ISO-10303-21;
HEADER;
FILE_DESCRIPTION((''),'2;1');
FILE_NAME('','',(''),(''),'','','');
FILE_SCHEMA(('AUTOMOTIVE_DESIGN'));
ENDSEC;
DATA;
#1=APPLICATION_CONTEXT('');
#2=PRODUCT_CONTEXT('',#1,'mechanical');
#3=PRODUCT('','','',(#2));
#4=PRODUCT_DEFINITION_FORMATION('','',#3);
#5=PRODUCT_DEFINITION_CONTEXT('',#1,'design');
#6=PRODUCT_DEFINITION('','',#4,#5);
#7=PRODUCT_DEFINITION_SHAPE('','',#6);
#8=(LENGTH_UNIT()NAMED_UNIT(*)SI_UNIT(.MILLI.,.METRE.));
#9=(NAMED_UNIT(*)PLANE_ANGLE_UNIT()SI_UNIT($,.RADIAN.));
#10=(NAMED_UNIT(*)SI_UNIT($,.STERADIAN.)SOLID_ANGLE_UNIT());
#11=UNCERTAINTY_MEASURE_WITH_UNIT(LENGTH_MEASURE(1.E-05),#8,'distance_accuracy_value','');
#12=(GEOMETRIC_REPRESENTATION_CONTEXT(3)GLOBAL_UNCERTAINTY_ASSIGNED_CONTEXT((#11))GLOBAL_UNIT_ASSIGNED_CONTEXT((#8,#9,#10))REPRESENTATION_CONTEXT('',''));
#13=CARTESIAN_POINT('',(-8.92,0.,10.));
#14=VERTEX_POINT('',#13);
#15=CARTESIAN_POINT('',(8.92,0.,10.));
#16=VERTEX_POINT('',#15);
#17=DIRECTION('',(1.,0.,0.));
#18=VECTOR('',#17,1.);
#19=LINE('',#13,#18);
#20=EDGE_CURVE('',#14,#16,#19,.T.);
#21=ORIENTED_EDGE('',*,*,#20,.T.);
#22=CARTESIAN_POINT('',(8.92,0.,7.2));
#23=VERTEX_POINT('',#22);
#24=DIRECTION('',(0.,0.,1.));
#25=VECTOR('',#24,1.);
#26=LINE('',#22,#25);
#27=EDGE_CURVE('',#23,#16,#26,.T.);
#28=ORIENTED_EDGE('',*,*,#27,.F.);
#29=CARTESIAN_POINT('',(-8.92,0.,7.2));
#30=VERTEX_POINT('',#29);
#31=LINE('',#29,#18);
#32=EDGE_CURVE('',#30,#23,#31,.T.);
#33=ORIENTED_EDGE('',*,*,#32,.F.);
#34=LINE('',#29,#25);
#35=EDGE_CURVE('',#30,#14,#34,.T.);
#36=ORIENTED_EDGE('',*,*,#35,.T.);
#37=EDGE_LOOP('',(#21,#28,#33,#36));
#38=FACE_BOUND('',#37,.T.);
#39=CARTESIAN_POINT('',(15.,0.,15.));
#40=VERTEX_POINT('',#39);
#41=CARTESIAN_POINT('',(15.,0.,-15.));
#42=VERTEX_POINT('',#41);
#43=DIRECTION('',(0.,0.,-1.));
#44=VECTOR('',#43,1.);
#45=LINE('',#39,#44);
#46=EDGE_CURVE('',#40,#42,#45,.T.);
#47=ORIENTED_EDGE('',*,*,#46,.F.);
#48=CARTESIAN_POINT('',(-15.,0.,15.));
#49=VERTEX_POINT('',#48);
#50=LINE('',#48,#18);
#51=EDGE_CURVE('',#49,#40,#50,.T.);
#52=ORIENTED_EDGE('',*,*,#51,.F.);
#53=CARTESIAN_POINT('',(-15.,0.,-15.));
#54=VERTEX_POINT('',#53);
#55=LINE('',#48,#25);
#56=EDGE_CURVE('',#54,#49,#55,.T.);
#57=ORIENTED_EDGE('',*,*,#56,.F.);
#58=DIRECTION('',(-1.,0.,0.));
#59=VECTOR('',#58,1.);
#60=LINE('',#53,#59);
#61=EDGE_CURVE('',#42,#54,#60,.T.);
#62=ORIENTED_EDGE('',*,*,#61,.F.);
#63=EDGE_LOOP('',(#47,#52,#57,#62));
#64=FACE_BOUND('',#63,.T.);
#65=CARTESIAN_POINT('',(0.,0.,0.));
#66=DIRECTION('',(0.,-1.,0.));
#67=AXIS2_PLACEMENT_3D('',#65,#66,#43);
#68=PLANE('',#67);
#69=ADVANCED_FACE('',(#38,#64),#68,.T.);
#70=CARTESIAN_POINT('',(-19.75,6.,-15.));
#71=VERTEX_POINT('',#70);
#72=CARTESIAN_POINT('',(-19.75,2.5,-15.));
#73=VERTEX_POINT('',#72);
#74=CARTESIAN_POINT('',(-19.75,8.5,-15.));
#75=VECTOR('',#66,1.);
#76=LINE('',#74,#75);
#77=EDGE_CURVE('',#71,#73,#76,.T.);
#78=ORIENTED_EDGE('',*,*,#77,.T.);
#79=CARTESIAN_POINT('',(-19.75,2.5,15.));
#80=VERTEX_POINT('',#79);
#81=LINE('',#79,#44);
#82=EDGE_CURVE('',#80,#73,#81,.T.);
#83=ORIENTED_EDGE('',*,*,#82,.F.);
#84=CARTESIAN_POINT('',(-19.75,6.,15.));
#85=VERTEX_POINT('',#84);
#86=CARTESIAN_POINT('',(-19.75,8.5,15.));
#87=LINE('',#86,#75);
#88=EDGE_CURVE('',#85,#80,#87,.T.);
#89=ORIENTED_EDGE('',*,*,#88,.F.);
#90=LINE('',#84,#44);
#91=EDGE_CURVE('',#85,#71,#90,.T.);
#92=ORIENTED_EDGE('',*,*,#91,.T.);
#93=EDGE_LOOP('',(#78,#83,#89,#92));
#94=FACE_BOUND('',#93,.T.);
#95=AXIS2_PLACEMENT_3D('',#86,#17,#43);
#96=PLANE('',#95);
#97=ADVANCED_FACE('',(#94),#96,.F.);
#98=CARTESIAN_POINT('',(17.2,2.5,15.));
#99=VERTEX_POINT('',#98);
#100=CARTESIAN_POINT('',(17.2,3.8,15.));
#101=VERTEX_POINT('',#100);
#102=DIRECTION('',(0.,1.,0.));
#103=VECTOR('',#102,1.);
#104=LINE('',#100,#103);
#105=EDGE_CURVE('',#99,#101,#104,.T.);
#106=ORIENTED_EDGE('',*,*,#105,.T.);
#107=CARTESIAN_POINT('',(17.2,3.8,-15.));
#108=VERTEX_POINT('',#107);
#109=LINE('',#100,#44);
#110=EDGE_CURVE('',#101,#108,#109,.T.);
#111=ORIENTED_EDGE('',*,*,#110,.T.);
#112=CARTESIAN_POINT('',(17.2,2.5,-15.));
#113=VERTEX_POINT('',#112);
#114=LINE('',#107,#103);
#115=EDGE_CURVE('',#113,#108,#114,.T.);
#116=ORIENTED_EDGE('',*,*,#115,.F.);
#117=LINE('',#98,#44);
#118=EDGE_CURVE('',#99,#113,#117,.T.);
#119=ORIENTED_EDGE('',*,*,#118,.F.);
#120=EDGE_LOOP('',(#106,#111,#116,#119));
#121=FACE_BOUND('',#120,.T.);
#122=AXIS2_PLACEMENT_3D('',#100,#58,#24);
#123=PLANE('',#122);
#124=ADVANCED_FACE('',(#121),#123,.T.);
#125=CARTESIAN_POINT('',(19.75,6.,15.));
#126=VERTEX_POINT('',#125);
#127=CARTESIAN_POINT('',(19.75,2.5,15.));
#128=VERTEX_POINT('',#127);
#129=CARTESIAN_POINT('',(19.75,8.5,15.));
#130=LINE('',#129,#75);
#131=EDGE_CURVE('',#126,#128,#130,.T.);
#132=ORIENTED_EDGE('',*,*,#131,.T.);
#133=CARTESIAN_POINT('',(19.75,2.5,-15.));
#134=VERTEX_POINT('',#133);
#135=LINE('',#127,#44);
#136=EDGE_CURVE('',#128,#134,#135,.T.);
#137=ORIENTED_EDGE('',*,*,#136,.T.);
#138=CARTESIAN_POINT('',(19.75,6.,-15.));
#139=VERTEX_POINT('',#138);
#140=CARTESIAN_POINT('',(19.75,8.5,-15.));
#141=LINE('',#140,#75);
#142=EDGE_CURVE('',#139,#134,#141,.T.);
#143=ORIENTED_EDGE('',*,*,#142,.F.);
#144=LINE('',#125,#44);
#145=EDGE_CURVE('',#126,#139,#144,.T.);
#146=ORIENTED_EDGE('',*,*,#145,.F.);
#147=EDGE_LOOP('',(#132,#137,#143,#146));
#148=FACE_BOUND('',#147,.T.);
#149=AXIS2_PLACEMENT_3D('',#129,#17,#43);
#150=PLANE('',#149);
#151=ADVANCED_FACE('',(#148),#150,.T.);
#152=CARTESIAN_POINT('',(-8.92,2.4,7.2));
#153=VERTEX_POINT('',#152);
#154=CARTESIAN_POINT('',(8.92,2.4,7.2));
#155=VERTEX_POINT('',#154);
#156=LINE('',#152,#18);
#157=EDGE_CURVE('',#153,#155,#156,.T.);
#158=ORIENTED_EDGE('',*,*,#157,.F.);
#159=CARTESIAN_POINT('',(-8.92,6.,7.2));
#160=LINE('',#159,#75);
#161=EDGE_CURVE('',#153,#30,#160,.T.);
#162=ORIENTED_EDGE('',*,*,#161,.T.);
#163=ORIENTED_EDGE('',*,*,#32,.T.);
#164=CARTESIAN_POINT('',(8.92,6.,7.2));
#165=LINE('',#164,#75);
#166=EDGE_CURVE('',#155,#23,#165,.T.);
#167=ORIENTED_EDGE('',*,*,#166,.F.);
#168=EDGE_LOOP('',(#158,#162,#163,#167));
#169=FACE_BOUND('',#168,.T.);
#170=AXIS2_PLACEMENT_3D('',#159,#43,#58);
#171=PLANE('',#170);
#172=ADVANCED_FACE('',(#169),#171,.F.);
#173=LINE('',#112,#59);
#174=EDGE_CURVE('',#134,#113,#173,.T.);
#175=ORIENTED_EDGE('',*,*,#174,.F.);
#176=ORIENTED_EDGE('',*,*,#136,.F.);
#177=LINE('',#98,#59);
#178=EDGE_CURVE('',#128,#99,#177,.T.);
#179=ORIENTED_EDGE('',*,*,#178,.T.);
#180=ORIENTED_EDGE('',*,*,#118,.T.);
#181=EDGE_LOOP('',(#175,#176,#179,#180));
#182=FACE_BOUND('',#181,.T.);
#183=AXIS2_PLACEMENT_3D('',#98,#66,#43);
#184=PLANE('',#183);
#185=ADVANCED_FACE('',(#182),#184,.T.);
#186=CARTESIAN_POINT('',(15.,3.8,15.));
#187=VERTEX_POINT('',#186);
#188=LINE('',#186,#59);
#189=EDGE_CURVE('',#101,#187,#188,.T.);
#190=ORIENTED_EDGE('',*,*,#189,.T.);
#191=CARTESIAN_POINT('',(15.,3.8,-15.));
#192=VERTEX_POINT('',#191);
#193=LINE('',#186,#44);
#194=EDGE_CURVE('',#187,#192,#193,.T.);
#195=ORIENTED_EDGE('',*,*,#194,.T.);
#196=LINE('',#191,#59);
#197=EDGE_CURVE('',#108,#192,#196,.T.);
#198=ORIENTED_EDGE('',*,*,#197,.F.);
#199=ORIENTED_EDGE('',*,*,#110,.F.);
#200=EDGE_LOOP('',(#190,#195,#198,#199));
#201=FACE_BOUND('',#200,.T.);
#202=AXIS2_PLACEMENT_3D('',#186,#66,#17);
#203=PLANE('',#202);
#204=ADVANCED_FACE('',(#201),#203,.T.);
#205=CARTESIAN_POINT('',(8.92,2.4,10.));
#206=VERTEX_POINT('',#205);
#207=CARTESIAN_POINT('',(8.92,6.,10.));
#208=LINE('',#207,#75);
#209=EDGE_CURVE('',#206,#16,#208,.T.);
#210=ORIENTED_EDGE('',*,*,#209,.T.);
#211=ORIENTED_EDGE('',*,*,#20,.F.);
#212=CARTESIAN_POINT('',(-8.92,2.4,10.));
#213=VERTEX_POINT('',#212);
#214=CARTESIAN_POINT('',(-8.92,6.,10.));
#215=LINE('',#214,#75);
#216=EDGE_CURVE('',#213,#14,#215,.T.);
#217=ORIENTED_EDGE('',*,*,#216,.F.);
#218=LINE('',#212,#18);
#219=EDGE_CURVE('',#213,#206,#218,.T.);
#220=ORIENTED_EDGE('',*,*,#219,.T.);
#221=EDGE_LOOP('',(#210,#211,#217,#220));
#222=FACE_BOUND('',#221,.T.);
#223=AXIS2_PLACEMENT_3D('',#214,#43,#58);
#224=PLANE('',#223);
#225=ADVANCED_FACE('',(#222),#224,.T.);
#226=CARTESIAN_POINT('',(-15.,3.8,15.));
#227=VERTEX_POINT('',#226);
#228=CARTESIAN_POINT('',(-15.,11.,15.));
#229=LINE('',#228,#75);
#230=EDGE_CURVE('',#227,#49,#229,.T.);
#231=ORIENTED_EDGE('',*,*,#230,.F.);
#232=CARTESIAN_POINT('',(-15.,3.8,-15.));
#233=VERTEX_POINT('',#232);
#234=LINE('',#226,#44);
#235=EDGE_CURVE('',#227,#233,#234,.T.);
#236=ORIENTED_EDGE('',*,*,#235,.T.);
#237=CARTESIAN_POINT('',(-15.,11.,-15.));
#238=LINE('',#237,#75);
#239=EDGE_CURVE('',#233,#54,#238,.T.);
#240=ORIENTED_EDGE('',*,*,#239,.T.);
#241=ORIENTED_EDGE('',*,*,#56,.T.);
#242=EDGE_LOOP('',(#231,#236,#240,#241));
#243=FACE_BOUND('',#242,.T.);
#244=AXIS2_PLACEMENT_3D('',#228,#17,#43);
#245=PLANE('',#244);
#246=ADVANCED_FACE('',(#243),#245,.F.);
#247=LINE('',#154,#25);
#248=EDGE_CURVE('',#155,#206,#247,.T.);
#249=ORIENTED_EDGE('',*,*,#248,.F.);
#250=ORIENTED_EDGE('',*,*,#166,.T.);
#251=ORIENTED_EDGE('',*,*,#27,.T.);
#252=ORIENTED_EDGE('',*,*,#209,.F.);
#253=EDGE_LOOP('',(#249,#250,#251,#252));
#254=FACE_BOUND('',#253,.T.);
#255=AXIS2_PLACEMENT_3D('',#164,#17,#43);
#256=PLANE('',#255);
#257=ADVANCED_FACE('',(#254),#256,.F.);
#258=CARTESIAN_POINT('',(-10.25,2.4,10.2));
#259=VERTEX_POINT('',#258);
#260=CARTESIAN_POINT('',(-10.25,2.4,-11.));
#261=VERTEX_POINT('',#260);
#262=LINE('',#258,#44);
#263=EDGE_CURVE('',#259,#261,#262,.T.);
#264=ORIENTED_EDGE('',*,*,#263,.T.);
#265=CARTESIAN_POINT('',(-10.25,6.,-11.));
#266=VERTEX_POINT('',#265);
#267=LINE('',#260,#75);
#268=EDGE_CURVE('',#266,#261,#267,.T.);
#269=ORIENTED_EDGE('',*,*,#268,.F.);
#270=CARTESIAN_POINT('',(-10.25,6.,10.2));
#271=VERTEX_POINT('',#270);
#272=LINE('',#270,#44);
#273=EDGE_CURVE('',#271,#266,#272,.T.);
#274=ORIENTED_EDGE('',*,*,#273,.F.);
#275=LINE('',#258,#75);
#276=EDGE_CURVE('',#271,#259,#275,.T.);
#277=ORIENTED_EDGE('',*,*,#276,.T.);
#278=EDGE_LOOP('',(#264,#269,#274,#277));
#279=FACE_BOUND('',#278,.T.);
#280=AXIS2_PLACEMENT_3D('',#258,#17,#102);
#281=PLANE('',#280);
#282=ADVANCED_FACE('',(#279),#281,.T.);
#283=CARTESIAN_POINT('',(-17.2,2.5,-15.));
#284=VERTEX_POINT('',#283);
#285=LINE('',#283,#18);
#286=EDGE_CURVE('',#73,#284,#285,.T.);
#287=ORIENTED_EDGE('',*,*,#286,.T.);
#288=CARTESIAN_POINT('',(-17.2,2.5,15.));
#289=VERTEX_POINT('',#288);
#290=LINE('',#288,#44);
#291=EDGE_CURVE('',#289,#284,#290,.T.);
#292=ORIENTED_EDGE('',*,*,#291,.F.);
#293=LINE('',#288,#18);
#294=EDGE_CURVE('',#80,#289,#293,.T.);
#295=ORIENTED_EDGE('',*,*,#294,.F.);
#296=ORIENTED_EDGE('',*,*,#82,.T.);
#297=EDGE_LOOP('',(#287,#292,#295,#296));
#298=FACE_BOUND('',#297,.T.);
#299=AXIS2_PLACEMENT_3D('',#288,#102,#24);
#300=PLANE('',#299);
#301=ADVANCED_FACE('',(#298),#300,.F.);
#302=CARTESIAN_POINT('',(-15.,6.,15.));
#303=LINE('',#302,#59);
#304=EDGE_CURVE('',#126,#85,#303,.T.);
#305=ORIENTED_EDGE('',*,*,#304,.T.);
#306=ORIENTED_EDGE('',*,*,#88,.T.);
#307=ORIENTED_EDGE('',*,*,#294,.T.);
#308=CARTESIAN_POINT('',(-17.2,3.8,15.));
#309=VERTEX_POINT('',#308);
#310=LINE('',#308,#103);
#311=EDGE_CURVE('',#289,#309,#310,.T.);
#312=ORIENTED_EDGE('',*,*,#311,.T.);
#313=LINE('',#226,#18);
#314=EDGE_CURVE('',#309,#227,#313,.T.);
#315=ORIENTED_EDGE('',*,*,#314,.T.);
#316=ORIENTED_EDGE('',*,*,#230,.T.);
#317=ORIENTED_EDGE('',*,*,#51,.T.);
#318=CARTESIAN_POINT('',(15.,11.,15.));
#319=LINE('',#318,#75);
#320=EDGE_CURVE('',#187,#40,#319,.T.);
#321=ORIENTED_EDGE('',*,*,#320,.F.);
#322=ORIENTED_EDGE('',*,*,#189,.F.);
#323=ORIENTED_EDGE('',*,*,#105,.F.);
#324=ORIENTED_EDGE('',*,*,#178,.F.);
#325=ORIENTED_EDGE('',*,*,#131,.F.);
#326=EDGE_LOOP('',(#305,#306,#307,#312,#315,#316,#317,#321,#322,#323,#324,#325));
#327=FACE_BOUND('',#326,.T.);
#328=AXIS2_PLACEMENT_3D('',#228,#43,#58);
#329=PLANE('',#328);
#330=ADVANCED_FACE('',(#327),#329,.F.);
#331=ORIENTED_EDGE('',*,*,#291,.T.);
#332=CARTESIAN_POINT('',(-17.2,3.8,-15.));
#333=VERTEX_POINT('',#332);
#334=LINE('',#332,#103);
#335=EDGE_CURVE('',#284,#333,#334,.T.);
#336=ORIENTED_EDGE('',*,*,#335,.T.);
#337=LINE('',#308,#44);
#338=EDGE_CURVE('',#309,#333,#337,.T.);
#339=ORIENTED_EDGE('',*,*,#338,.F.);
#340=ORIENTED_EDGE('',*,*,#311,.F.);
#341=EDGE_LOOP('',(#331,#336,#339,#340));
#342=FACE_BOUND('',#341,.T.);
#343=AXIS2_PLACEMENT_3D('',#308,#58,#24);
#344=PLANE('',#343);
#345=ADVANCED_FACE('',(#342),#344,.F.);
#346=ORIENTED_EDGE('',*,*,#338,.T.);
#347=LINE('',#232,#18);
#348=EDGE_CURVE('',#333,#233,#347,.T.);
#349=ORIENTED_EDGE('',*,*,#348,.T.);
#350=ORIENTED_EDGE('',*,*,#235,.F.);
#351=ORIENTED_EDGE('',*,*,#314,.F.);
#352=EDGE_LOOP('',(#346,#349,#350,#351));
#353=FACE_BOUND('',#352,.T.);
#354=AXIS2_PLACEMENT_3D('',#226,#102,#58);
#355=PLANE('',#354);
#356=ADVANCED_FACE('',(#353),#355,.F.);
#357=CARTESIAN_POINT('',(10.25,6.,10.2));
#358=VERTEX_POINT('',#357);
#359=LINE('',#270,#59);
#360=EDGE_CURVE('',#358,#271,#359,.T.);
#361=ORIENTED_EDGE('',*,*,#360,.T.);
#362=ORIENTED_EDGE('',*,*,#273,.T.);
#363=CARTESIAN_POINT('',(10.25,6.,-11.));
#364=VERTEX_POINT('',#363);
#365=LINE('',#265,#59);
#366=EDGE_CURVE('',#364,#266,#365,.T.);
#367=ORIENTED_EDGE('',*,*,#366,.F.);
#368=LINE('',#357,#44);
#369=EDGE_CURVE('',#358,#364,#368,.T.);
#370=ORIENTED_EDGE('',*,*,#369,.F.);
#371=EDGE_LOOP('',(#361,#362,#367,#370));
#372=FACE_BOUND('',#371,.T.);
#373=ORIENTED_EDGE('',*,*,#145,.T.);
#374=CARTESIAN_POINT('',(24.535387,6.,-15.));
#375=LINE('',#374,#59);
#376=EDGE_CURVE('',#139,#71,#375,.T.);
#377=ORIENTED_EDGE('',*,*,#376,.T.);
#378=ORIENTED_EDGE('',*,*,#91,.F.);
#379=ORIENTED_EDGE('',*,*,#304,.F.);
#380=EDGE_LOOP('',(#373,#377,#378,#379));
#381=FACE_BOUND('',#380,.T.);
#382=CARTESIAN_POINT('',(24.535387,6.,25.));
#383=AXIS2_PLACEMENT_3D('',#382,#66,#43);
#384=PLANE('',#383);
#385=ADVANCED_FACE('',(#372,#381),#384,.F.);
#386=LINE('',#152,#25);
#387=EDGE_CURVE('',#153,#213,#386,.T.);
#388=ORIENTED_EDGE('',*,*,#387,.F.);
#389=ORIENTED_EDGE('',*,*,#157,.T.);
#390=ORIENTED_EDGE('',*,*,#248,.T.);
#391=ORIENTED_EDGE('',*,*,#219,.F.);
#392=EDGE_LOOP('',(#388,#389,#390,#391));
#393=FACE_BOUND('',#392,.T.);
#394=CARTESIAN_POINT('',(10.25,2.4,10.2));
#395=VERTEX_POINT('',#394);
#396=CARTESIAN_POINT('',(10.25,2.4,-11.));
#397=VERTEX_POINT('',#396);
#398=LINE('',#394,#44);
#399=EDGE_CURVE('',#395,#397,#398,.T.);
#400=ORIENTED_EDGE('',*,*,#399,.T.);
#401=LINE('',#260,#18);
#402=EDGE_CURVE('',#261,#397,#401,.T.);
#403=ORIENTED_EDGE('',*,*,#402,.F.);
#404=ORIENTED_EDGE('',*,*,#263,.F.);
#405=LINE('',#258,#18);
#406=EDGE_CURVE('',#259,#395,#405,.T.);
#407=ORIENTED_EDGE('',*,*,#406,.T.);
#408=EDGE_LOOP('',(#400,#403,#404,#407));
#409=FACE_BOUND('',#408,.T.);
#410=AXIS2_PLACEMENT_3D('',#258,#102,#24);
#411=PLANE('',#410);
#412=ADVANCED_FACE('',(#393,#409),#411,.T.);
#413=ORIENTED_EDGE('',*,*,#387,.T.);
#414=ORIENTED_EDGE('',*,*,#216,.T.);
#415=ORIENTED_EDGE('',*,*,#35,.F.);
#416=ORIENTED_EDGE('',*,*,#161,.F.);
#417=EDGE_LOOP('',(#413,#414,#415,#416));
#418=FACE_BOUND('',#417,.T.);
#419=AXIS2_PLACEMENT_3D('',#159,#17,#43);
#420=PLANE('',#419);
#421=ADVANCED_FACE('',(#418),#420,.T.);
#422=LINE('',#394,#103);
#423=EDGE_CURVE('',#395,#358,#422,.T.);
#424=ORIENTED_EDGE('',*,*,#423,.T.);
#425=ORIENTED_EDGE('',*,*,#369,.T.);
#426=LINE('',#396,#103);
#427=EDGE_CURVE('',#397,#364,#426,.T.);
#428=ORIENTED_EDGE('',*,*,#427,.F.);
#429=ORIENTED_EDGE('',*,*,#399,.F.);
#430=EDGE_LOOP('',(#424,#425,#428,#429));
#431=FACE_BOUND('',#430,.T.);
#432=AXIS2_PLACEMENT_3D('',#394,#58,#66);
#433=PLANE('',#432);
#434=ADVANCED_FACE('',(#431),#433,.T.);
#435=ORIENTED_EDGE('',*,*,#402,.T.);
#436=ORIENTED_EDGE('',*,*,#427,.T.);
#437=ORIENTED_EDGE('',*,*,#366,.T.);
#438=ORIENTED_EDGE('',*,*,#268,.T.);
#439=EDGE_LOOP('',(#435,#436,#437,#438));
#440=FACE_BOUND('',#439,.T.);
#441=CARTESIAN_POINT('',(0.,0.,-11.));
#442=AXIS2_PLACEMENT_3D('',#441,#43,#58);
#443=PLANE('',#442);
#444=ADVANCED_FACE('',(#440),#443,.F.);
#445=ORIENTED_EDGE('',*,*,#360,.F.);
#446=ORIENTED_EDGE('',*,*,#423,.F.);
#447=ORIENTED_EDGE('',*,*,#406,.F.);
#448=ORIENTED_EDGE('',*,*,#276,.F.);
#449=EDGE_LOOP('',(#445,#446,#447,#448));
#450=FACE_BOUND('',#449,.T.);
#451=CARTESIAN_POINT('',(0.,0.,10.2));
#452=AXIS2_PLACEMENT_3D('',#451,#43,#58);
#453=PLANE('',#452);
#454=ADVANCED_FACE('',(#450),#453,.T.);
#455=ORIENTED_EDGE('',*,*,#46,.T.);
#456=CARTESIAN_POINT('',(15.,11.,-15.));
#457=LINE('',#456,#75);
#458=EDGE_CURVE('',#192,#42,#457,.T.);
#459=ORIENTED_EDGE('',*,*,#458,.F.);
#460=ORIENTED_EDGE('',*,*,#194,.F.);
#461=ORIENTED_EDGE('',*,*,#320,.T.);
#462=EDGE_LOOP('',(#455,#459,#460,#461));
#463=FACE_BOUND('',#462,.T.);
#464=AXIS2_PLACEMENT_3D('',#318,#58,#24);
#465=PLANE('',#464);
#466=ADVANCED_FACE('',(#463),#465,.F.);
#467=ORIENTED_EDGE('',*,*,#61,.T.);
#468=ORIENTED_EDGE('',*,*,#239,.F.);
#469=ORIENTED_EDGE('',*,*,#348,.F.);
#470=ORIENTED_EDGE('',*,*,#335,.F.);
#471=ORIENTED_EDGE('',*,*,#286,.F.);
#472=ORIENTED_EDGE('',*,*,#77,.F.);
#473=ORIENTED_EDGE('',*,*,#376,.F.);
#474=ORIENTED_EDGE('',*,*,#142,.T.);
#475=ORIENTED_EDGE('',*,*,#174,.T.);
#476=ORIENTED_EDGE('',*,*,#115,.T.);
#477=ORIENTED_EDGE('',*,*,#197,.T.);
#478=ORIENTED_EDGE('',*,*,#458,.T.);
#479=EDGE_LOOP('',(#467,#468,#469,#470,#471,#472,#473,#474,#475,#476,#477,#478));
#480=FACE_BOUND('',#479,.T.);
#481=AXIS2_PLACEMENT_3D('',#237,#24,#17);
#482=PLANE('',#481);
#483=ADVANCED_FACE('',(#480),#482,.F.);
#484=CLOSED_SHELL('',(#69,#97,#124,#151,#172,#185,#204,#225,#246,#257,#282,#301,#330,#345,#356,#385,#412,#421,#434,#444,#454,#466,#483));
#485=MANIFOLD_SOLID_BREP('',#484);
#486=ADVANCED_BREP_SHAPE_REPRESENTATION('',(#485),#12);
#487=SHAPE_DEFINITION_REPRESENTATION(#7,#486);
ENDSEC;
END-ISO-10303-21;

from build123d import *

# Parameters (mm, degrees)
SKETCH1_W               = 30
SKETCH1_H               = 30
MAIN_BODY_DEPTH         = 11
SKETCH2_W               = 17.84
SKETCH2_H               = 2.8
WIRE_HOLE_DEPTH         = 6
BOARD_CAVITY_DEPTH      = 3
BOARD_CAVITY_DEPTH_BACK = 17.2
SKETCH3_W               = 20.5
SKETCH3_H               = 3.6
SKETCH4_W               = 10
SKETCH4_H               = 10
LIGHT_BOX_DEPTH         = 2
SKETCH5_R               = 1.5
CUT_EXTRUDE4_DEPTH      = 20
SKETCH7_W               = 20.5
SKETCH7_H               = 3.6
CUT_EXTRUDE5_DEPTH      = 1
BOSS_EXTRUDE1_DEPTH     = 30
BOSS_EXTRUDE2_START     = 0.6
SKETCH11_W              = 10
SKETCH11_H              = 10
SKETCH11_R              = 1.5
BOSS_EXTRUDE2_DEPTH     = 0.6
SKETCH12_W              = 44.814636294
SKETCH12_H              = 7.577756332
CUT_EXTRUDE6_DEPTH      = 40


with BuildPart() as part:
    # Sketch1 → Main Body (new body)
    with BuildSketch(Plane(origin=(0, 0, 0), x_dir=(1, 0, 0), z_dir=(0, 1, 0))):
        Rectangle(SKETCH1_W, SKETCH1_H)
    extrude(amount=MAIN_BODY_DEPTH)

    # Sketch2 → Wire Hole (cut)
    with BuildSketch(Plane.XZ):
        with Locations((0, 8.6)):
            Rectangle(SKETCH2_W, SKETCH2_H)
    extrude(amount=-WIRE_HOLE_DEPTH, mode=Mode.SUBTRACT)

    # Sketch3 → Board Cavity (cut, two sides: drawn at the far end of the back side and taken through both)
    with BuildSketch(Plane.XY.offset(7.2).offset(-BOARD_CAVITY_DEPTH_BACK)):
        with Locations((0, 4.2)):
            Rectangle(SKETCH3_W, SKETCH3_H)
    extrude(amount=BOARD_CAVITY_DEPTH + BOARD_CAVITY_DEPTH_BACK, mode=Mode.SUBTRACT)

    # Sketch4 → Light Box (cut)
    with BuildSketch(Plane.XZ.offset(-6)):
        with Locations((0, 0.05)):
            Rectangle(SKETCH4_W, SKETCH4_H)
    extrude(amount=-LIGHT_BOX_DEPTH, mode=Mode.SUBTRACT)

    # Sketch5 → Cut-Extrude4 (cut)
    with BuildSketch(Plane.XZ.offset(-8)):
        with Locations(Location((0, 0, 0), (0, 0, 270))):
            Circle(SKETCH5_R)
    extrude(amount=-CUT_EXTRUDE4_DEPTH, mode=Mode.SUBTRACT)

    # Sketch7 → Cut-Extrude5 (cut)
    with BuildSketch(Plane.XY.offset(-10)):
        with Locations((0, 4.2)):
            Rectangle(SKETCH7_W, SKETCH7_H)
    extrude(amount=-CUT_EXTRUDE5_DEPTH, mode=Mode.SUBTRACT)

    # Sketch8 → Boss-Extrude1 (add)
    with BuildSketch(Plane(origin=(0, 0, -15), x_dir=(-1, 0, 0), z_dir=(0, 0, -1))):
        Polygon((-15, 5.5), (-15, 3.8), (-17.2, 3.8), (-17.2, 2.5), (-19.75, 2.5), (-19.75, 8.5), (-17.2, 8.5), (-17.2, 7.2), (-15, 7.2), align=None)
    boss_extrude1 = extrude(amount=-BOSS_EXTRUDE1_DEPTH)

    # Mirror1: Boss-Extrude1 across plane
    add(boss_extrude1.mirror(Plane(origin=(0, 0, 0), x_dir=(0, 0, 1), z_dir=(1, 0, 0))))

    # Sketch9 → Cut-Revolve6 (revolve, cut)
    with BuildSketch(Plane.XY, mode=Mode.PRIVATE) as cut_revolve6_sk:
        with BuildLine():
            Line((0, 67.971820098), (0, 8))
            Line((0, 8), (-1.3, 8))
            ThreePointArc((-1.3, 8), (-29.992954197, 38.621972793), (0, 67.971820098))
        make_face()
    revolve(cut_revolve6_sk.sketch.rotate(Axis((0, 0, 0), (0, -1, 0)), 90), axis=Axis((0, 0, 0), (0, -1, 0)), mode=Mode.SUBTRACT)

    # Sketch11 → Boss-Extrude2 (add)
    with BuildSketch(Plane.XZ.offset(-8).offset(BOSS_EXTRUDE2_START)):
        with Locations((0, 0.05)):
            Rectangle(SKETCH11_W, SKETCH11_H)
        with Locations(Location((0, 0, 0), (0, 0, 270))):
            Circle(SKETCH11_R, mode=Mode.SUBTRACT)
    extrude(amount=-BOSS_EXTRUDE2_DEPTH)

    # Sketch12 → Cut-Extrude6 (cut)
    with BuildSketch(Plane(origin=(0, 0, -15), x_dir=(-1, 0, 0), z_dir=(0, 0, -1))):
        with Locations((-2.128069321, 9.788878166)):
            Rectangle(SKETCH12_W, SKETCH12_H)
    extrude(amount=-CUT_EXTRUDE6_DEPTH, mode=Mode.SUBTRACT)


solid = part.part
